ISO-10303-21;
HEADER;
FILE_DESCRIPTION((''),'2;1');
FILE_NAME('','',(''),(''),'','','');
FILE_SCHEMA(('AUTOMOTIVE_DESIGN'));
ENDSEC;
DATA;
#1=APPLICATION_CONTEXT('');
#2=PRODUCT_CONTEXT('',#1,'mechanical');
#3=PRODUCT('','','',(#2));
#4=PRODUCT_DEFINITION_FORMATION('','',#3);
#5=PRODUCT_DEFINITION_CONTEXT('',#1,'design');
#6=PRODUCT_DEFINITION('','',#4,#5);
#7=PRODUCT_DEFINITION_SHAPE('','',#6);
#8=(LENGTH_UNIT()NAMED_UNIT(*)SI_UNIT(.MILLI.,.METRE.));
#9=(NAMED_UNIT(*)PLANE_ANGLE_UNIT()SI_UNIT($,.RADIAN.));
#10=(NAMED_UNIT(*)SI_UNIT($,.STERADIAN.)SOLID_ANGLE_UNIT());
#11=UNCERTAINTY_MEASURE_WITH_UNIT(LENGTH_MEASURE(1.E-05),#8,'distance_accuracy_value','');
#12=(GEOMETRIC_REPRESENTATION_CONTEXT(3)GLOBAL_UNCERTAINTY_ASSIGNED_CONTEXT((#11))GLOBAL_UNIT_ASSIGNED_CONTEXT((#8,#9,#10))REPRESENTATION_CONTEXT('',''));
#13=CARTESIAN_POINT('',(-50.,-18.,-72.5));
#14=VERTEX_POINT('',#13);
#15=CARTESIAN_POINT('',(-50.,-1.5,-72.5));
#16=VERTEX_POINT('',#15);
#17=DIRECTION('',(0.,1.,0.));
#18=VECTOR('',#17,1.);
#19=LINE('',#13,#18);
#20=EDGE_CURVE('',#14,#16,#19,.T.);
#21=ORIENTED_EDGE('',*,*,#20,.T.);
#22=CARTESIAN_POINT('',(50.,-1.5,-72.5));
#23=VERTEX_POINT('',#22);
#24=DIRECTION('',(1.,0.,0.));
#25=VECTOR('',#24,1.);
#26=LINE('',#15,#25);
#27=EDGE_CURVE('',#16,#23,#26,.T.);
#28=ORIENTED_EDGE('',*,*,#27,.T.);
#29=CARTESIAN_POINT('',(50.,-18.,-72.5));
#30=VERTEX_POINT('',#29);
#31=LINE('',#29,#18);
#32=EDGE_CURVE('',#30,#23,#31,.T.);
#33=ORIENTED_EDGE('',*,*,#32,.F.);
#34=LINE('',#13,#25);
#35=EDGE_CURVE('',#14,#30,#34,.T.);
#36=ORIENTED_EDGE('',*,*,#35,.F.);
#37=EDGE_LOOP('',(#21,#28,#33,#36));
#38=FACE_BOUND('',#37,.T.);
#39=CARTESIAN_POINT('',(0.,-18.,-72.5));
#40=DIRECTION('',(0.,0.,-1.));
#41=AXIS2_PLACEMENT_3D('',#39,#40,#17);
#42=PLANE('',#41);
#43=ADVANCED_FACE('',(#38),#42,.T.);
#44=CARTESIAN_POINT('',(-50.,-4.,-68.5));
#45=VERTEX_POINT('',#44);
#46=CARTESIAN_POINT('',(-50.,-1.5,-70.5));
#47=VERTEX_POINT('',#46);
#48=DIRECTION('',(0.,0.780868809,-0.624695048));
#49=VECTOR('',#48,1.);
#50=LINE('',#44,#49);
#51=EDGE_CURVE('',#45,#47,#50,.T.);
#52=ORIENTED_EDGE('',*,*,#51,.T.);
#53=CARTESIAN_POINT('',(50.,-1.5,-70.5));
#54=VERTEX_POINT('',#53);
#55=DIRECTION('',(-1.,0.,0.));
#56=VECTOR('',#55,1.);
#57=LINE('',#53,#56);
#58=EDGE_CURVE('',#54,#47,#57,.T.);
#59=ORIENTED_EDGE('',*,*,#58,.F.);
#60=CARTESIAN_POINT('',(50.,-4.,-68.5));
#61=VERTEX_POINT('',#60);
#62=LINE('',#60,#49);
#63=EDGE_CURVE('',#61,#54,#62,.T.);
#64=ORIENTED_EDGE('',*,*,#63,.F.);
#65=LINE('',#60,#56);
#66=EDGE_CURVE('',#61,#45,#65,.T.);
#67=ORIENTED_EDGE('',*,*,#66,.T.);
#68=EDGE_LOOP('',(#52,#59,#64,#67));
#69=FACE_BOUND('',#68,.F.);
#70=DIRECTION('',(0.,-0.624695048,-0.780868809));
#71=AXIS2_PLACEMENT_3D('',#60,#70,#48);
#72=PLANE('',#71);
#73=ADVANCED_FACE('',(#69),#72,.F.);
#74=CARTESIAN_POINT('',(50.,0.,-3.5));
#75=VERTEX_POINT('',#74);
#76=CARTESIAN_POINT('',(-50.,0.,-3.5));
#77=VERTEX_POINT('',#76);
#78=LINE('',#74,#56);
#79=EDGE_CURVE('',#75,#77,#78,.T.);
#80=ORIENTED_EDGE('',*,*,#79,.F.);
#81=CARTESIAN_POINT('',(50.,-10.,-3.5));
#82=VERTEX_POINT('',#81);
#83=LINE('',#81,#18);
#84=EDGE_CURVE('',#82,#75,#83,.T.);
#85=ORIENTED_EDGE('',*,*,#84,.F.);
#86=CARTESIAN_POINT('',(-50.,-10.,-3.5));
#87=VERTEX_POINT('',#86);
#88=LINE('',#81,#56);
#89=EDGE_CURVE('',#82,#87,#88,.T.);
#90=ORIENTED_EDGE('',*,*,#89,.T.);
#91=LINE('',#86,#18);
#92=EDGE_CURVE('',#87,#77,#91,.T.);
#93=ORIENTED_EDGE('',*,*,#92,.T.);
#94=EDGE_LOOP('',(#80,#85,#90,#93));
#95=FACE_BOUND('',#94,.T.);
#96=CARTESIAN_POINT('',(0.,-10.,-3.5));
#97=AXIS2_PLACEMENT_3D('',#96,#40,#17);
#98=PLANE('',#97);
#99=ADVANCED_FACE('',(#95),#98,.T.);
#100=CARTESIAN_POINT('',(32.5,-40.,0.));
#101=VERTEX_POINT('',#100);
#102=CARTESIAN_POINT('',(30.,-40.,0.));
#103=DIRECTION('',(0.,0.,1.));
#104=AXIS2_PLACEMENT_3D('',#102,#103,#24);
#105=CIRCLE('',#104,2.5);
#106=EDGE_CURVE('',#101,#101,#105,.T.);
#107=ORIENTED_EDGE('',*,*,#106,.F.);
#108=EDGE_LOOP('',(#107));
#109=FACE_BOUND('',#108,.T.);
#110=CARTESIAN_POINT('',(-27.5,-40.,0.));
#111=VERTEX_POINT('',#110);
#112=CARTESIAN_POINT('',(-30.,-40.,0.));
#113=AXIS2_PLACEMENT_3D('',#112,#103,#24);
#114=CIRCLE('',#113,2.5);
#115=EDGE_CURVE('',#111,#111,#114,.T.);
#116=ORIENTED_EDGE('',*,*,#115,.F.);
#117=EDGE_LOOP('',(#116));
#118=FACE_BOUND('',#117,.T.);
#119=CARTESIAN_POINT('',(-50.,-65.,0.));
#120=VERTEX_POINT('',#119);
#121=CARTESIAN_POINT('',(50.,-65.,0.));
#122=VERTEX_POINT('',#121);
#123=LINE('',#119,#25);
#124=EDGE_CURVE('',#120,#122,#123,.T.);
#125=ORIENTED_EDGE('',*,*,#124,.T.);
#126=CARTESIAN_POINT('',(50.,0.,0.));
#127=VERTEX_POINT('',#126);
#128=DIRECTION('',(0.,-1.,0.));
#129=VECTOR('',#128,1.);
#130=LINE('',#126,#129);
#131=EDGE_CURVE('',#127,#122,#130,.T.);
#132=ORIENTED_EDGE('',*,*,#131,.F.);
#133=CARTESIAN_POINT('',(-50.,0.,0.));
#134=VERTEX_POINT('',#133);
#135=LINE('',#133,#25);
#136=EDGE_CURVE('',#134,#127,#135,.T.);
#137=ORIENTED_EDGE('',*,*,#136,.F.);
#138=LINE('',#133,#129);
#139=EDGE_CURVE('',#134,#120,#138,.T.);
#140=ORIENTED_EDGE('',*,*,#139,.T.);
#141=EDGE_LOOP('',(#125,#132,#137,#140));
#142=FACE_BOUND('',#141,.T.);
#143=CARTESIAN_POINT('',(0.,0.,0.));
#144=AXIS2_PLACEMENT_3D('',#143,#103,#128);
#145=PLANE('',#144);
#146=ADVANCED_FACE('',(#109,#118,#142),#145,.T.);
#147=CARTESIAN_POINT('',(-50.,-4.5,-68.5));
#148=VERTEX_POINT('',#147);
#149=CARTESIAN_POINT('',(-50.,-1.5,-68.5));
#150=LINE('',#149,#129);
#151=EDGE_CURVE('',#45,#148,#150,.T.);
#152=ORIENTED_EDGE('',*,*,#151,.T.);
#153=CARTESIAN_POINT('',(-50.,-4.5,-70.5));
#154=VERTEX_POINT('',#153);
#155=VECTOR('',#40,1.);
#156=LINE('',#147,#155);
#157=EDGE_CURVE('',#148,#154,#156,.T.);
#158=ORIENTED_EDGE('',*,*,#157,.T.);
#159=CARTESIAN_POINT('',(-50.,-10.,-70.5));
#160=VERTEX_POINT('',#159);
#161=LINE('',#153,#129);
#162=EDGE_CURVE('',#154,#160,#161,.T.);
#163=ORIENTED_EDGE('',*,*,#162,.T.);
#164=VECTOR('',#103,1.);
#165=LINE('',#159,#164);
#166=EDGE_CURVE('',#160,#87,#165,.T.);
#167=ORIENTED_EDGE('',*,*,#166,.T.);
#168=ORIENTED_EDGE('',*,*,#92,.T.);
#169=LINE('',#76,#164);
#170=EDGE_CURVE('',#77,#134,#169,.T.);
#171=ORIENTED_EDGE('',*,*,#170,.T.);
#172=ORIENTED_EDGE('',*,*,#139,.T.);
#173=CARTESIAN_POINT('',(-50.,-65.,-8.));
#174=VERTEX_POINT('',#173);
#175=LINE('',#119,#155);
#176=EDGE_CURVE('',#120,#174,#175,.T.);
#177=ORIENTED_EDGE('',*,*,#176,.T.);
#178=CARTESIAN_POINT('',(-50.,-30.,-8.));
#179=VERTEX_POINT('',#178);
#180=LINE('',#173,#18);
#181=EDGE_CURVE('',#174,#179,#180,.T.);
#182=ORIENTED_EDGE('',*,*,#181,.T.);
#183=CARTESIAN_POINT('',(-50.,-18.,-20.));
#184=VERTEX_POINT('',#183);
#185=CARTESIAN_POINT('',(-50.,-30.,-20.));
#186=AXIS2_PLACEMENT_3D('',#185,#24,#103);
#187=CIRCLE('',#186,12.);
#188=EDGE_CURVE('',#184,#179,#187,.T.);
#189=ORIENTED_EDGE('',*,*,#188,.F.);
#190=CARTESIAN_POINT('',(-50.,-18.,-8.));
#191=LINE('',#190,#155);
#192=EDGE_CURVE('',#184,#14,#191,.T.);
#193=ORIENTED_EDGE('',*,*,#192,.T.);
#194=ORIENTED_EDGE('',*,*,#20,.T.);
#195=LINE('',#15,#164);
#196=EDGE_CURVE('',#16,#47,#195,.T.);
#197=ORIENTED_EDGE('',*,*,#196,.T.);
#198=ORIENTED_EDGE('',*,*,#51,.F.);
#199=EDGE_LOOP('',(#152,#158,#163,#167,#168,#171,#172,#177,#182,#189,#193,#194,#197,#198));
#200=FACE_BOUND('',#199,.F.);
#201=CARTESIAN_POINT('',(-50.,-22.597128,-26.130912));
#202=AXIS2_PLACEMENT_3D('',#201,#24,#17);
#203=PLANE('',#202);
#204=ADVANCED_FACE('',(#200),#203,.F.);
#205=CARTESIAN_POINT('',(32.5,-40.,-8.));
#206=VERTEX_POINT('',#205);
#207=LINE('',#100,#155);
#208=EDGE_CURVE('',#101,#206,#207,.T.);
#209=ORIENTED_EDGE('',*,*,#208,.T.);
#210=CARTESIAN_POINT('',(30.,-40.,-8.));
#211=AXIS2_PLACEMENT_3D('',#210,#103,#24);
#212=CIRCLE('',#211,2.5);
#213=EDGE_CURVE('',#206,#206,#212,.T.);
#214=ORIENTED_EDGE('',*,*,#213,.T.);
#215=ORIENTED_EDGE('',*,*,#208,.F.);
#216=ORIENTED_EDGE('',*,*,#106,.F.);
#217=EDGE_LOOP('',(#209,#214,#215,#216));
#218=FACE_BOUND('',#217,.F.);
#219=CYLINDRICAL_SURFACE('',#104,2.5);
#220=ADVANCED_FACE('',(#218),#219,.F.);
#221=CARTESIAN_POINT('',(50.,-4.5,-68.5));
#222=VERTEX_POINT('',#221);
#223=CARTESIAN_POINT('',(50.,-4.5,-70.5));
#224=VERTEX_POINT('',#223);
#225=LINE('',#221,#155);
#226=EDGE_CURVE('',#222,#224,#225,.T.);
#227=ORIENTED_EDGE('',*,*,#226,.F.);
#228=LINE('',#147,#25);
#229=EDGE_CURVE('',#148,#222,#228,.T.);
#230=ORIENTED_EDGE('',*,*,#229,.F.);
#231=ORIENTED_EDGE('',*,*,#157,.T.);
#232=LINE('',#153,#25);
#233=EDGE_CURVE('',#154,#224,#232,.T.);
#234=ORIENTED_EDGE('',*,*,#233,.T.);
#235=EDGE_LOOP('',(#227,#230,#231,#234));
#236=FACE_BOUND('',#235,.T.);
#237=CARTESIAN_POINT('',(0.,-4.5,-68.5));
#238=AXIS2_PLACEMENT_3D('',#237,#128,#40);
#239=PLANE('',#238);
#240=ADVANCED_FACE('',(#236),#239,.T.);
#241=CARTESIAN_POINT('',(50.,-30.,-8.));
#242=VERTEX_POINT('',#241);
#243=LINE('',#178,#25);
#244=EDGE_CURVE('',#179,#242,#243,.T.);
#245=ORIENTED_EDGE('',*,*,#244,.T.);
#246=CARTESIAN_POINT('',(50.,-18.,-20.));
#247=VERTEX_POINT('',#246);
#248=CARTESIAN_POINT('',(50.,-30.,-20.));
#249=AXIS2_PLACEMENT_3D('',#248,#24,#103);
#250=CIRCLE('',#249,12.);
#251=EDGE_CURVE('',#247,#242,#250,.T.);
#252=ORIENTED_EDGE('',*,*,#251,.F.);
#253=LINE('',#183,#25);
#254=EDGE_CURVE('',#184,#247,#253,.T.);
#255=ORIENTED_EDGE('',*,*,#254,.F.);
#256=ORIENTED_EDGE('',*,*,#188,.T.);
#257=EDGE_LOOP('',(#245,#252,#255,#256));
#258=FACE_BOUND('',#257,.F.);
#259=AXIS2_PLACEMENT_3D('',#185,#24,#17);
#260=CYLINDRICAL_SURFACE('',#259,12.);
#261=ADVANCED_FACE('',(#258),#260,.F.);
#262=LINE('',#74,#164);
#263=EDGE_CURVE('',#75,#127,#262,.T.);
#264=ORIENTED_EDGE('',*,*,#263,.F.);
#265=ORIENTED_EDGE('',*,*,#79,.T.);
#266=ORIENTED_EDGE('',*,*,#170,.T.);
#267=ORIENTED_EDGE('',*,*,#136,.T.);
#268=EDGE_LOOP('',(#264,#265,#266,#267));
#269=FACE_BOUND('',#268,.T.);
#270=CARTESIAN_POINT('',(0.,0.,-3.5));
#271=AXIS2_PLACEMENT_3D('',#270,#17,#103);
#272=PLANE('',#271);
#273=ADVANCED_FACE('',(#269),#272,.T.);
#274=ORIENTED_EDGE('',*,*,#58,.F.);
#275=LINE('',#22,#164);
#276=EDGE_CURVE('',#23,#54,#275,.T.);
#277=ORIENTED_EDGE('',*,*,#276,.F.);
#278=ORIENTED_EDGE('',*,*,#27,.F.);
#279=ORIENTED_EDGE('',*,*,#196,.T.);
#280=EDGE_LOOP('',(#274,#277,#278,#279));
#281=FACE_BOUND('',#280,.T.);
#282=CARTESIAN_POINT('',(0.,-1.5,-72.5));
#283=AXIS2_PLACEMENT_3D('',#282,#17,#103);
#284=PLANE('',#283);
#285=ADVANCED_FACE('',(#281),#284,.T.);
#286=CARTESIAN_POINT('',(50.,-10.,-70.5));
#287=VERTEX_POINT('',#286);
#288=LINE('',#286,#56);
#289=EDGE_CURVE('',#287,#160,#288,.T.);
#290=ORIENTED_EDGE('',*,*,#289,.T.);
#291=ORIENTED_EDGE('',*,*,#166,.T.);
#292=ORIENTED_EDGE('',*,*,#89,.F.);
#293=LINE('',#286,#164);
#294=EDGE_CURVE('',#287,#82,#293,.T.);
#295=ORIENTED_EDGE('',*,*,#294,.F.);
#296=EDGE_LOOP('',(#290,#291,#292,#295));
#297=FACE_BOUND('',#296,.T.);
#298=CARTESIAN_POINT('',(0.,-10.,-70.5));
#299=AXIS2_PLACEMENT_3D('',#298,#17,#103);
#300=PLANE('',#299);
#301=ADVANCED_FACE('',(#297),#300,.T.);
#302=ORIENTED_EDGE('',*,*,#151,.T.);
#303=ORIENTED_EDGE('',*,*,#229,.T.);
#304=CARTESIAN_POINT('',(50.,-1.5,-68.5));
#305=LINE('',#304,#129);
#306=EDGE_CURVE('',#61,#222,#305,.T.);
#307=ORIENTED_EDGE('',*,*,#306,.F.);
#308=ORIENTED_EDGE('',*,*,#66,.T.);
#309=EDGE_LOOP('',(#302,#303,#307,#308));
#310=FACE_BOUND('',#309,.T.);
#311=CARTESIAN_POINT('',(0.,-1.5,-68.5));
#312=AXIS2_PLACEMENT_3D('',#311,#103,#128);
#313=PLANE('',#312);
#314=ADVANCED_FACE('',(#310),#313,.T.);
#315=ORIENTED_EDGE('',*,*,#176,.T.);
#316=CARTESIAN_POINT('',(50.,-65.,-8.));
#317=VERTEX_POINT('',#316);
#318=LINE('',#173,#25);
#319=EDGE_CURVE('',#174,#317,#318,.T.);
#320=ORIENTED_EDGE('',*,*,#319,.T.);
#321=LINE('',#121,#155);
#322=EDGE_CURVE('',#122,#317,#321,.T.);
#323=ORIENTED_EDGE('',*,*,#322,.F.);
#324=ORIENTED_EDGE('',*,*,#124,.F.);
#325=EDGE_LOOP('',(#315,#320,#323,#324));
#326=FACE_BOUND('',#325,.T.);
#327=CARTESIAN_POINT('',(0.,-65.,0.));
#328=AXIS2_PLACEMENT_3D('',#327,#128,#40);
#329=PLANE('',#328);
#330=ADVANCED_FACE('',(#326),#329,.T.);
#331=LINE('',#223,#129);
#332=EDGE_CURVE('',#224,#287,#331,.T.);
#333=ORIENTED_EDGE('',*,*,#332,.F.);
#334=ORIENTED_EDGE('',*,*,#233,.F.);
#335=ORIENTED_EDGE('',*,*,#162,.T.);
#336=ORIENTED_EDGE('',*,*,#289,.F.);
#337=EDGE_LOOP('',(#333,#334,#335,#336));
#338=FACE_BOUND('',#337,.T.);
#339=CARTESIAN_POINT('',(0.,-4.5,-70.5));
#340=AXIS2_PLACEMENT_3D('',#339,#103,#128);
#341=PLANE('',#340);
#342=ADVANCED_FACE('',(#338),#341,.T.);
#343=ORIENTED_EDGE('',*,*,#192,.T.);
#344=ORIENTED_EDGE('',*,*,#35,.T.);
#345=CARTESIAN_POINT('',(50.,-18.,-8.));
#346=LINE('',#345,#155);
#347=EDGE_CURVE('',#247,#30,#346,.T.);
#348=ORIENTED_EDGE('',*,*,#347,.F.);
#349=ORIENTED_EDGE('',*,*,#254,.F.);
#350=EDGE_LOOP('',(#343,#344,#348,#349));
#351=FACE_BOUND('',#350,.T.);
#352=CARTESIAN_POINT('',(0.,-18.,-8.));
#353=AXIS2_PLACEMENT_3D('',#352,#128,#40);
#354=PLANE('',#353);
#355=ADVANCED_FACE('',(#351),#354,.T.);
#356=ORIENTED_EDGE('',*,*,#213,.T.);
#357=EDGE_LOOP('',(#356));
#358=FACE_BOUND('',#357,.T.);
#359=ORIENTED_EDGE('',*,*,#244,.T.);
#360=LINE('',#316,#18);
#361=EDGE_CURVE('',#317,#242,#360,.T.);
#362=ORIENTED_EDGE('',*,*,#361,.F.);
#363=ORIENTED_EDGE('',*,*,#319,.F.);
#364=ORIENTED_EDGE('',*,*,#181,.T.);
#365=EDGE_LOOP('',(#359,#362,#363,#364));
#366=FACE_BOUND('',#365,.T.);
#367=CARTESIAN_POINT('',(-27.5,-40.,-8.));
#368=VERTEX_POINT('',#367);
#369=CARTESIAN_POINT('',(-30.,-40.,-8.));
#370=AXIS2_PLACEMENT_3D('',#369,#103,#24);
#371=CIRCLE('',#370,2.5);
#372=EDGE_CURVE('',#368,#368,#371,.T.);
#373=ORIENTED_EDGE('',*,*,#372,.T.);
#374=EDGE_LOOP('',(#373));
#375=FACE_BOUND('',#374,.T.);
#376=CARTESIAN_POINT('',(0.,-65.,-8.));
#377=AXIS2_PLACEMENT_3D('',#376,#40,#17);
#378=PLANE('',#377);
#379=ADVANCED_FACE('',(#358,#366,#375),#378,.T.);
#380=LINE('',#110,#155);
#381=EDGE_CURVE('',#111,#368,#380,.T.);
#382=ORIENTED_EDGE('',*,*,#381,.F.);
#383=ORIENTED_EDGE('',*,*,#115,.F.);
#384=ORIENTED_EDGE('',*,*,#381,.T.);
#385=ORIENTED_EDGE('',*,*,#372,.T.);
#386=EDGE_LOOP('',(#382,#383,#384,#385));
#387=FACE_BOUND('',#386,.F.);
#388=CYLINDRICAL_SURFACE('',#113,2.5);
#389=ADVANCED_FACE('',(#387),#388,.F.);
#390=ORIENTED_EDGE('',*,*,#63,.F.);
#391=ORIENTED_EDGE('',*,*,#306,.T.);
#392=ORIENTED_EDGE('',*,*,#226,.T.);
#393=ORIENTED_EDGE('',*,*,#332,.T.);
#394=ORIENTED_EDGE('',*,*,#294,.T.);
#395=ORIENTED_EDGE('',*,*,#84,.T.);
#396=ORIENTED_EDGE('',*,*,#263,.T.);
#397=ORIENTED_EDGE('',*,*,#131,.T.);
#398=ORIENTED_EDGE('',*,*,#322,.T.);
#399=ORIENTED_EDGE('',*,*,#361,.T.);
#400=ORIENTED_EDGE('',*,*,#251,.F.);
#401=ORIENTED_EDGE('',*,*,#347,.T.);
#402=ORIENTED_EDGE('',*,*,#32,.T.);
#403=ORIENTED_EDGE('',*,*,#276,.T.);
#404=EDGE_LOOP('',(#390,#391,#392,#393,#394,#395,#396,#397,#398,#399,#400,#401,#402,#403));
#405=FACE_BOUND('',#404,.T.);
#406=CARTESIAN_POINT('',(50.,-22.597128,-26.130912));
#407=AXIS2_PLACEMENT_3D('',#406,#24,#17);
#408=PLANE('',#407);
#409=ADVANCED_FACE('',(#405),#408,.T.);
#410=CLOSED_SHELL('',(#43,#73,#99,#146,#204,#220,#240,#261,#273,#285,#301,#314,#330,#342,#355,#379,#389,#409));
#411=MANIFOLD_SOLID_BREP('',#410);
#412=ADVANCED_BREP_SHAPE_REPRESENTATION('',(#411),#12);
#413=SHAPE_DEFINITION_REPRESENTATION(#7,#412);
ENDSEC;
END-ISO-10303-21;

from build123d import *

# Parameters (mm, degrees)
F1_DEPTH = 50
F3_DEPTH = 100
F4_R     = 2.5
F5_DEPTH = 8
F6_R     = 12


with BuildPart() as f1:
    # F0 (on Right) → F1 (new body, symmetric)
    with BuildSketch(Plane.YZ):
        Polygon((0, -3.5), (0, 0), (-65, 0), (-65, -8), (-18, -8), (-18, -72.5), (-1.5, -72.5), (-1.5, -68.5), (-4.5, -68.5), (-4.5, -70.5), (-10, -70.5), (-10, -3.5), align=None)
    extrude(amount=F1_DEPTH, both=True)

    # F2 (on face) → F3 (cut, through all)
    with BuildSketch(Plane.YZ.offset(50)):
        Polygon((-1.5, -68.5), (-4, -68.5), (-1.5, -70.5), align=None)
    extrude(amount=-F3_DEPTH, mode=Mode.SUBTRACT)

    # F4 (on face) → F5 (cut, through all)
    with BuildSketch(Plane.XY):
        with Locations((-30, -40)):
            Circle(F4_R)
        with Locations((30, -40)):
            Circle(F4_R)
    extrude(amount=-F5_DEPTH, mode=Mode.SUBTRACT)

    # F6
    f6_edges = [f1.edges().sort_by_distance(p)[0] for p in [
        (0, -18, -8),
    ]]
    fillet(f6_edges, radius=F6_R)


solid = f1.part
